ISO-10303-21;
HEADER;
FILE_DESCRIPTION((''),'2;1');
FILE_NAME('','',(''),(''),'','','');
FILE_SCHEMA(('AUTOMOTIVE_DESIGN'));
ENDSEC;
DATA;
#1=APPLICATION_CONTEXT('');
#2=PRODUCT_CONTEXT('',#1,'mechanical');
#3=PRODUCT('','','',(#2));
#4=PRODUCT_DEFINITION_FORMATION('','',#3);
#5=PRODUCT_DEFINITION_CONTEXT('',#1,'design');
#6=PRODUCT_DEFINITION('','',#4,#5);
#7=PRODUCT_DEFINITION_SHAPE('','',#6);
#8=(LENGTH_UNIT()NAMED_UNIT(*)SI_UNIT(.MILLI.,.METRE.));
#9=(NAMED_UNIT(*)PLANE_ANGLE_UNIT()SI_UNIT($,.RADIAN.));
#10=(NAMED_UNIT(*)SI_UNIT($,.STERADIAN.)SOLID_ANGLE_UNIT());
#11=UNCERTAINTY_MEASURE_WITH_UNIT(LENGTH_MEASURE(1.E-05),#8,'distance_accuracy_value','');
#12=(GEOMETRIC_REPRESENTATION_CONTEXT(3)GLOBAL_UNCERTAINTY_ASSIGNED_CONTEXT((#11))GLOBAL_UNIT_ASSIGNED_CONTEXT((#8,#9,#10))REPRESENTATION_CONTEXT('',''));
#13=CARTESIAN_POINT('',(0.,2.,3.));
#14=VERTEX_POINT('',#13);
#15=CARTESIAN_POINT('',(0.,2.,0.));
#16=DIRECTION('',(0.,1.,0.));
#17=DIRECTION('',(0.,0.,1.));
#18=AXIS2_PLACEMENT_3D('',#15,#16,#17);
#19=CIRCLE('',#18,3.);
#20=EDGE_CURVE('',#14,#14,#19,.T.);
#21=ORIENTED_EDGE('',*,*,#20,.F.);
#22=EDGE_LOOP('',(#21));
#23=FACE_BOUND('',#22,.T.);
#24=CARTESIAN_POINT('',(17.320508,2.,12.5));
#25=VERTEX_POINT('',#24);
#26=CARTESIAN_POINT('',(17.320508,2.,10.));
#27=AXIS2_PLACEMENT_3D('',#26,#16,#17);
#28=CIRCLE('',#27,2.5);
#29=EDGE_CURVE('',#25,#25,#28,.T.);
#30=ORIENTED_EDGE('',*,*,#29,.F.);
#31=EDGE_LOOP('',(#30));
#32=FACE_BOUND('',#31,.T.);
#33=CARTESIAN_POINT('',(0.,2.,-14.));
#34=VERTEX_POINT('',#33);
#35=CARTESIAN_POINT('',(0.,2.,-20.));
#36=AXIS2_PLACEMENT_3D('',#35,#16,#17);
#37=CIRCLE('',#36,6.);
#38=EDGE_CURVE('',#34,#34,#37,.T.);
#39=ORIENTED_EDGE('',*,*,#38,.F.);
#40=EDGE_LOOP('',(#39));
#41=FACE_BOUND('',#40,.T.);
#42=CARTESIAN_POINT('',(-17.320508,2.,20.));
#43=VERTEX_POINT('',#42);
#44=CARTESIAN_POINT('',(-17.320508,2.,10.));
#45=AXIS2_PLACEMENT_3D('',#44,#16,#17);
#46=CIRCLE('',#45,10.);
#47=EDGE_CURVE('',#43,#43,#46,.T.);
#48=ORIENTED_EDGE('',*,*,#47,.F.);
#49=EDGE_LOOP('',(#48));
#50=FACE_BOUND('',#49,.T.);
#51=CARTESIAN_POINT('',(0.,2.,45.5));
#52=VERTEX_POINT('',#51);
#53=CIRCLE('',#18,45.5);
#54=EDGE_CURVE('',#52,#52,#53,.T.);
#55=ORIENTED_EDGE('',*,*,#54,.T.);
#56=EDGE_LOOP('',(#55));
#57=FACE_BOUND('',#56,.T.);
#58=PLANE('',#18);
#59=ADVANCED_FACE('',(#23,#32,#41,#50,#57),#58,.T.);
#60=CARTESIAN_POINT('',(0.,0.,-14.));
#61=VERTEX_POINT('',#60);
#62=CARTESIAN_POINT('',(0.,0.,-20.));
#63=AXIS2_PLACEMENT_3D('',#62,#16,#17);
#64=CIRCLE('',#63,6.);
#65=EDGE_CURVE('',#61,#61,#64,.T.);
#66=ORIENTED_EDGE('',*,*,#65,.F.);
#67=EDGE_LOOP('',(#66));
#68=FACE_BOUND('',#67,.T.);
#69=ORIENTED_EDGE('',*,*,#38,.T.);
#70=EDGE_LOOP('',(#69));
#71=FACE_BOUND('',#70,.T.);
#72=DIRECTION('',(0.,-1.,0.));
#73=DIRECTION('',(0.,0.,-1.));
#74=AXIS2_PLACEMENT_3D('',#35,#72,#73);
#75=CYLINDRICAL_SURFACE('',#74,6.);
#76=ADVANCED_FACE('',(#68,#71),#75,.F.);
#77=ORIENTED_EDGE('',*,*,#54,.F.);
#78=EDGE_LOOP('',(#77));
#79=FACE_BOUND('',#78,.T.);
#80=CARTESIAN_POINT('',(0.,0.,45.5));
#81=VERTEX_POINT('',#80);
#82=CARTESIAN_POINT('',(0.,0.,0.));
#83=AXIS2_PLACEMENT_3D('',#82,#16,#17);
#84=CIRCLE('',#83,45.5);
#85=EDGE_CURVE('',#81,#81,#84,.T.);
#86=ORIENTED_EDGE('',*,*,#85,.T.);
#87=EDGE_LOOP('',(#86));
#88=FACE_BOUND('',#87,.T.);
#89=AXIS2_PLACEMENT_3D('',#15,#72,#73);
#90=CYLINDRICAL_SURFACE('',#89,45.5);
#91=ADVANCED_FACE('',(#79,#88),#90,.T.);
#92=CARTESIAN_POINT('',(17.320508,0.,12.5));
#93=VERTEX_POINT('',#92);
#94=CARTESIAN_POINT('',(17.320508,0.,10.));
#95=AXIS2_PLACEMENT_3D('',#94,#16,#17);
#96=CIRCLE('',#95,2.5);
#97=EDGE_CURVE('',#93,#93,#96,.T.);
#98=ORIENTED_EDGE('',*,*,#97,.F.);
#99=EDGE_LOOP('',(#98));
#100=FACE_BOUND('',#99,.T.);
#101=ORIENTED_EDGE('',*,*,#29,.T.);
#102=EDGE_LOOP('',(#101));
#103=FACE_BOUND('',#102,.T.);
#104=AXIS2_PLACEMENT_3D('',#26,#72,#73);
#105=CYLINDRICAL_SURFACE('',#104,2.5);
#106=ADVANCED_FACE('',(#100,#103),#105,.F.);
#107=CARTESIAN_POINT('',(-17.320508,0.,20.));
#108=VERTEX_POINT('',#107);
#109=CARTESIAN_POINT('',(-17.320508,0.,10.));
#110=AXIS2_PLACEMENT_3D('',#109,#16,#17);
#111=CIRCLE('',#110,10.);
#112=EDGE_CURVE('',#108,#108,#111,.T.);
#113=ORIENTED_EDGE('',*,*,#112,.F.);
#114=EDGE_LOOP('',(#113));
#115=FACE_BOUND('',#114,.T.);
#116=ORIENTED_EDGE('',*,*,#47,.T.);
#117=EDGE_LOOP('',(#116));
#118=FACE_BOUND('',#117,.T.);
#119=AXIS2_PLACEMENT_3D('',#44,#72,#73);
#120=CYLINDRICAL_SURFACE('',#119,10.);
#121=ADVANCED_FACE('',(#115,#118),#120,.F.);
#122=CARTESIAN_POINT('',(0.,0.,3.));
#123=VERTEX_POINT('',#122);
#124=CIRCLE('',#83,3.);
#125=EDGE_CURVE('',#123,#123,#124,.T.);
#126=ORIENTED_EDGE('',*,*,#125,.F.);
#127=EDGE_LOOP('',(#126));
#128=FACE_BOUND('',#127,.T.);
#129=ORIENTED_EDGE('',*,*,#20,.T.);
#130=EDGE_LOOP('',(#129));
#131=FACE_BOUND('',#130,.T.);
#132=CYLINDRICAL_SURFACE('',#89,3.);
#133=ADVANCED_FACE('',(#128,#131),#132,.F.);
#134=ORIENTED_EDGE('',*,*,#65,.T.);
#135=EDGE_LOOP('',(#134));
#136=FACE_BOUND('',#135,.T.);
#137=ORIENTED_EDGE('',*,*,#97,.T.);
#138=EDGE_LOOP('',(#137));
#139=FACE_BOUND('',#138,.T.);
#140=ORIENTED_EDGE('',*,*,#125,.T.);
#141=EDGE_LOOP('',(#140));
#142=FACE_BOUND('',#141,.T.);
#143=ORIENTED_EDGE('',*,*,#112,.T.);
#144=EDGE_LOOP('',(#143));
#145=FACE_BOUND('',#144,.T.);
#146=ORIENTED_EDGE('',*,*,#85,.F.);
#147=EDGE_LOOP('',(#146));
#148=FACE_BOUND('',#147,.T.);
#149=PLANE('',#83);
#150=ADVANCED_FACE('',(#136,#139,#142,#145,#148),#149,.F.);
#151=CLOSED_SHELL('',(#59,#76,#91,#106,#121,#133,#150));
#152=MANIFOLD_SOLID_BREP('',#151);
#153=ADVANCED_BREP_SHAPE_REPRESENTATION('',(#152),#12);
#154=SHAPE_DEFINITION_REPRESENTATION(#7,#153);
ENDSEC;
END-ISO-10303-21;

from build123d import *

# Parameters (mm, degrees)
SKETCH1_R           = 45.5
SKETCH1_R_2         = 6
SKETCH1_R_3         = 10
SKETCH1_R_4         = 2.5
SKETCH1_R_5         = 3
BOSS_EXTRUDE1_DEPTH = 2


with BuildPart() as part:
    # Sketch1 → Boss-Extrude1 (new body)
    with BuildSketch(Plane(origin=(0, 0, 0), x_dir=(1, 0, 0), z_dir=(0, 1, 0))):
        with Locations(Location((0, 0, 0), (0, 0, 270))):
            Circle(SKETCH1_R)
        with Locations(Location((0, 20, 0), (0, 0, 270))):
            Circle(SKETCH1_R_2, mode=Mode.SUBTRACT)
        with Locations(Location((-17.320508076, -10, 0), (0, 0, 270))):
            Circle(SKETCH1_R_3, mode=Mode.SUBTRACT)
        with Locations(Location((17.320508076, -10, 0), (0, 0, 270))):
            Circle(SKETCH1_R_4, mode=Mode.SUBTRACT)
        with Locations(Location((0, 0, 0), (0, 0, 270))):
            Circle(SKETCH1_R_5, mode=Mode.SUBTRACT)
    extrude(amount=BOSS_EXTRUDE1_DEPTH)


solid = part.part
